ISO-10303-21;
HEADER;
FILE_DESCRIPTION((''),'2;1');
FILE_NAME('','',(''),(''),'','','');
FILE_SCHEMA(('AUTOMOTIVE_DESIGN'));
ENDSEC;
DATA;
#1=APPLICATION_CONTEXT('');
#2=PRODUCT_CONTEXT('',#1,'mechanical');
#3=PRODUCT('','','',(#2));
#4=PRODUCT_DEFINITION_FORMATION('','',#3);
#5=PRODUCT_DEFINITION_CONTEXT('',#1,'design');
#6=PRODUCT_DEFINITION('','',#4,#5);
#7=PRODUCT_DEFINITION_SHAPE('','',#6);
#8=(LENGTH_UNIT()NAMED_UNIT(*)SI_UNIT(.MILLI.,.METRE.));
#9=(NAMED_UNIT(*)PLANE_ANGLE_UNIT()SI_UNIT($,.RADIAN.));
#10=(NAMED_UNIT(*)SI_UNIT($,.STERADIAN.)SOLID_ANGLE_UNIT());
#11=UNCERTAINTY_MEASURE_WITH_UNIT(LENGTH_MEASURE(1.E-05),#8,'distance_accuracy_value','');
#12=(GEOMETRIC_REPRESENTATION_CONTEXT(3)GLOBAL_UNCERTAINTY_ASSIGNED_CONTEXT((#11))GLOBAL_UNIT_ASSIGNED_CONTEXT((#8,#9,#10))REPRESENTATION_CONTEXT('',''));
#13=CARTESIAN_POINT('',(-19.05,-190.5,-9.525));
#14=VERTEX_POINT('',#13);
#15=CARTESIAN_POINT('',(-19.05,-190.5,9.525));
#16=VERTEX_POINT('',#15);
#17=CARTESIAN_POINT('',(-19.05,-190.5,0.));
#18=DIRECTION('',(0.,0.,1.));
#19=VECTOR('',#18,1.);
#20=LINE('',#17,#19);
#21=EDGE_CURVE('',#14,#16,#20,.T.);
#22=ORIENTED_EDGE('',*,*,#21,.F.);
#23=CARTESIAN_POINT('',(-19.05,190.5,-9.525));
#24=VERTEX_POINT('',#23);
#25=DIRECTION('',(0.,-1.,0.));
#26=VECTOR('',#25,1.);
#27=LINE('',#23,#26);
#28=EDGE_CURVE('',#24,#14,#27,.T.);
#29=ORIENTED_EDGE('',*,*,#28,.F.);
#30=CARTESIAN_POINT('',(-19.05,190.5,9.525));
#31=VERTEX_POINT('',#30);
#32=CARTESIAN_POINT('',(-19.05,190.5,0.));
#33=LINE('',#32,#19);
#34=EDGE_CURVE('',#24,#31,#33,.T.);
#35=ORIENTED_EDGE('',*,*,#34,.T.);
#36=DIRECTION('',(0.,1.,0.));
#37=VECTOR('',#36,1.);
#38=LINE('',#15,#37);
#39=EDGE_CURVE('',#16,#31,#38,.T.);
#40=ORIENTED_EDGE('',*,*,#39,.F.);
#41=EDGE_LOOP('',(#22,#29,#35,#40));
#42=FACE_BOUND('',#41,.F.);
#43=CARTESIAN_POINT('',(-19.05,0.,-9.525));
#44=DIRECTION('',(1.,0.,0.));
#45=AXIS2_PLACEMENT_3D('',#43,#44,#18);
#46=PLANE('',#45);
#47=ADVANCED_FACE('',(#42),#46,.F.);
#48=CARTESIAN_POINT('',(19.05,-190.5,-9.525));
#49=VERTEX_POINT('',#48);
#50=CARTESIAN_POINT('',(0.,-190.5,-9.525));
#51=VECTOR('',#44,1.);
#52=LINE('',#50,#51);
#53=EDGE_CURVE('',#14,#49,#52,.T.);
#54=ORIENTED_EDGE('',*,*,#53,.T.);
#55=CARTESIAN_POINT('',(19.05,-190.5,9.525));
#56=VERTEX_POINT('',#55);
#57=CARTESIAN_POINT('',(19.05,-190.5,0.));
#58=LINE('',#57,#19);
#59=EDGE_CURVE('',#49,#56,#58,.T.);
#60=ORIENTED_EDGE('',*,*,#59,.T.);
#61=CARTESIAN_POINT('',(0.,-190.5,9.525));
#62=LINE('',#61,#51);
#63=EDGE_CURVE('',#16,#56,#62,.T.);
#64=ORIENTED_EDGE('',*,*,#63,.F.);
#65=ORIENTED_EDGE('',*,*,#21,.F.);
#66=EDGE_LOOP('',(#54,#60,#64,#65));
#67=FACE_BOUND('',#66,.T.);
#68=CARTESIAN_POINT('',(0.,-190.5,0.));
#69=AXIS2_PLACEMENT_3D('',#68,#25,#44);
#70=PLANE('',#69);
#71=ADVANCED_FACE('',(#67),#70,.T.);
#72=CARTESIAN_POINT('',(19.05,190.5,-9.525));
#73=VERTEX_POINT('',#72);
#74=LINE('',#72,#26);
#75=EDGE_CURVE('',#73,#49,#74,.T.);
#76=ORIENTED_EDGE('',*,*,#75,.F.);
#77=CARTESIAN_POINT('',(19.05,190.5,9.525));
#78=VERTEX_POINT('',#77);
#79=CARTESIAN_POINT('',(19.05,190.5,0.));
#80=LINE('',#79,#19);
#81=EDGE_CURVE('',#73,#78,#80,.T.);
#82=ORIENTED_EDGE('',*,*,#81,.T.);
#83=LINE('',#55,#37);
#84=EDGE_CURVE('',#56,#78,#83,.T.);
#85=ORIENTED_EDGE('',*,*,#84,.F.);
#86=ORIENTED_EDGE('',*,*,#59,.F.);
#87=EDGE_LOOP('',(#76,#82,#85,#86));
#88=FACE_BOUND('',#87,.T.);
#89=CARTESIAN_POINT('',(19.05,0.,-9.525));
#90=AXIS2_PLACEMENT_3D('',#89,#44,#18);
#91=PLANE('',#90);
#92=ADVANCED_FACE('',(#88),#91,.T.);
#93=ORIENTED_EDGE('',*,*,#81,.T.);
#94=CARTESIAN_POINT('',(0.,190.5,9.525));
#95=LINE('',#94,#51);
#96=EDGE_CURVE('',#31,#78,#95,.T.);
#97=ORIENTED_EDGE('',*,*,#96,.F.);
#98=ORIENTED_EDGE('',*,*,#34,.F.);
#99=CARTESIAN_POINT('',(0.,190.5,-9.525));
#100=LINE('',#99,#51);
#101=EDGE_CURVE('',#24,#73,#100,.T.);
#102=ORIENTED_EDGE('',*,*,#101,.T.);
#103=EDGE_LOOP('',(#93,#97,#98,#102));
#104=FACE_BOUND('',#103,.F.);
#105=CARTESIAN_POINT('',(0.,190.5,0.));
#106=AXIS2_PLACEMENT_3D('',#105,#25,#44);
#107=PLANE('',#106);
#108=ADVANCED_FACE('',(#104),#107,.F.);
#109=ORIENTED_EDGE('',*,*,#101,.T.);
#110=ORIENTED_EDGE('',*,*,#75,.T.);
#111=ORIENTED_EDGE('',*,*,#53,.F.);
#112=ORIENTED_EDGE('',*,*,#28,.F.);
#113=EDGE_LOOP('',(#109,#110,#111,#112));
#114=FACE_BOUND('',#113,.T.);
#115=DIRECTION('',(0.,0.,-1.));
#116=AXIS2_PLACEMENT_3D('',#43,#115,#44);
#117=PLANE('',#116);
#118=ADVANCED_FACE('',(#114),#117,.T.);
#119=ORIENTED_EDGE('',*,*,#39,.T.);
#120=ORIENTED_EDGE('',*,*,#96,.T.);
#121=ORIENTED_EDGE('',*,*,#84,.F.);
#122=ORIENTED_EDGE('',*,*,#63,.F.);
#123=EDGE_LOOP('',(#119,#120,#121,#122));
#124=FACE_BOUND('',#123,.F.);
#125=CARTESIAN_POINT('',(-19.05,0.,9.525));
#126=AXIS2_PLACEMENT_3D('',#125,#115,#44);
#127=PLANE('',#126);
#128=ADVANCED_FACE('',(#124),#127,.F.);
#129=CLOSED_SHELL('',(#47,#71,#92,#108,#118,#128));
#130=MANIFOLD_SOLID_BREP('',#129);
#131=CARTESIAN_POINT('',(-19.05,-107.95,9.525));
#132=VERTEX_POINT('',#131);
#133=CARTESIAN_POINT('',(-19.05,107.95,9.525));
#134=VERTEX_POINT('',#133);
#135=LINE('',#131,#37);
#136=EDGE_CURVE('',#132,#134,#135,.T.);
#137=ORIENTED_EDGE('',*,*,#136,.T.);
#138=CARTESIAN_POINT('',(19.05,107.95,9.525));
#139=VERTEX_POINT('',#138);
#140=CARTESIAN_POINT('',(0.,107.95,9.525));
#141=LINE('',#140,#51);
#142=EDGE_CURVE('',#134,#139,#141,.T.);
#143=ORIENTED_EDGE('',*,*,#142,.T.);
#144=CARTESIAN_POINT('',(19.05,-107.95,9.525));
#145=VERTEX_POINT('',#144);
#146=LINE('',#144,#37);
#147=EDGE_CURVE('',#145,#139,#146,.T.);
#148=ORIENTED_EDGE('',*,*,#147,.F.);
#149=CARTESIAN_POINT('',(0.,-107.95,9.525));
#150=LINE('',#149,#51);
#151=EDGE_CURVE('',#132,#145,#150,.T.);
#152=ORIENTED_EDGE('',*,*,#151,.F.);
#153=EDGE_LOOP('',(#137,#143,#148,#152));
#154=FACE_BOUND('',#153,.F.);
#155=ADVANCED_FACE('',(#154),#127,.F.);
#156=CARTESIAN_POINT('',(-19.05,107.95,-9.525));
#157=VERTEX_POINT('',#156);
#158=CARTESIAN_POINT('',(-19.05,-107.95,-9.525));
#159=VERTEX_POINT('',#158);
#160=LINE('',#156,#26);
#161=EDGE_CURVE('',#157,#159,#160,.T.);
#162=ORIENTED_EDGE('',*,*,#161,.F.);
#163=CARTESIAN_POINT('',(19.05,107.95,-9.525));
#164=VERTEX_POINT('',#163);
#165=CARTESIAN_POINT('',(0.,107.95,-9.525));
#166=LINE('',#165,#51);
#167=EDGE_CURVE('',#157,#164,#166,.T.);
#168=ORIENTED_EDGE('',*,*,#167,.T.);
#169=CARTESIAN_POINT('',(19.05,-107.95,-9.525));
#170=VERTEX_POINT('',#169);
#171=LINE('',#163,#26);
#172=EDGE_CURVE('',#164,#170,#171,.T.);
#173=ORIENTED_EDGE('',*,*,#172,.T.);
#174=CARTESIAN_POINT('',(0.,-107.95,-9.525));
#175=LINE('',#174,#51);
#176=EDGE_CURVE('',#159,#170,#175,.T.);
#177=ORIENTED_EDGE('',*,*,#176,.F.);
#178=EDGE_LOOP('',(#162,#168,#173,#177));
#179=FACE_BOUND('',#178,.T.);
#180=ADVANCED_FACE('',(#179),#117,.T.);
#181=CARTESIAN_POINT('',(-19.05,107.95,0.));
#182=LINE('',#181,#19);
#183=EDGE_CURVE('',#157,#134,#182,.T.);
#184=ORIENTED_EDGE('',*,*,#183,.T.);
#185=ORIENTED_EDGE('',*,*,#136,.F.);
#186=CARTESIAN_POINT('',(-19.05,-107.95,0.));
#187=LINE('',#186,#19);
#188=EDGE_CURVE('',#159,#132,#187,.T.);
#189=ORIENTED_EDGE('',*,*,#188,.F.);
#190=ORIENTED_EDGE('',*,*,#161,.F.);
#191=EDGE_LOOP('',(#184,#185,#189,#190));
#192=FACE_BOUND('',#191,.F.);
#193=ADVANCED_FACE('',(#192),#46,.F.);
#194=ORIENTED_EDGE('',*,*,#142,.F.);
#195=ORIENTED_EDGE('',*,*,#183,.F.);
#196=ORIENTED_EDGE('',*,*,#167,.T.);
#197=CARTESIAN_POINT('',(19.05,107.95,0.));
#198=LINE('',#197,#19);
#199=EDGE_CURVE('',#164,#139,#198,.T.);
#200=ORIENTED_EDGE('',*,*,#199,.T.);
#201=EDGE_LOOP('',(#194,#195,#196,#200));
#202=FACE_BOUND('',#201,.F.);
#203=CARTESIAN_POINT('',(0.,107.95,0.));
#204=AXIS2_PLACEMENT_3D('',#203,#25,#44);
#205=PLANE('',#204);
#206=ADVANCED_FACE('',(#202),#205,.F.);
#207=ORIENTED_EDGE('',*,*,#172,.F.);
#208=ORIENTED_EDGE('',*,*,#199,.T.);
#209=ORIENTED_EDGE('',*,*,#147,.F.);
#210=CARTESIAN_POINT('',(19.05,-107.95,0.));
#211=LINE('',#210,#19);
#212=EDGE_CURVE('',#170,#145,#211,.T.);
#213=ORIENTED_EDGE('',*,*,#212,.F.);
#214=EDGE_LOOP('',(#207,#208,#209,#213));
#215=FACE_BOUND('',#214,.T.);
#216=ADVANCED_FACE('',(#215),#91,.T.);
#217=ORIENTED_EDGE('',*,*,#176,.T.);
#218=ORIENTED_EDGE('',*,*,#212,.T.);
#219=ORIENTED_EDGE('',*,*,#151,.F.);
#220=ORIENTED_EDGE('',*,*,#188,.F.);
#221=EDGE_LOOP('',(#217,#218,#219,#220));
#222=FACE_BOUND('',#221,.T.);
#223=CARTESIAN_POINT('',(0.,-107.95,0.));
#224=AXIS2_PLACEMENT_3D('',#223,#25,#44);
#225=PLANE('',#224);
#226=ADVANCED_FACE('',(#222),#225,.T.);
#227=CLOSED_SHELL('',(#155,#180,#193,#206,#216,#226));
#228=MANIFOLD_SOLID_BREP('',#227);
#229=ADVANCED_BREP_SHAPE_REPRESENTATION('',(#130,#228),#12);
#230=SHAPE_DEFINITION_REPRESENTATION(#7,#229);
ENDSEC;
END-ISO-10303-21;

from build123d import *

# Parameters (mm, degrees)
F0_W     = 38.1
F0_H     = 19.05
F1_DEPTH = 107.95
F2_DEPTH = 190.5


with BuildPart() as f1:
    # F0 (on Front) → F1 (new body, symmetric)
    with BuildSketch(Plane.XZ):
        Rectangle(F0_W, F0_H)
    extrude(amount=F1_DEPTH, both=True)


with BuildPart() as f2:
    # F0 (on Front) → F2 (new body, symmetric)
    with BuildSketch(Plane.XZ):
        Rectangle(F0_W, F0_H)
    extrude(amount=F2_DEPTH, both=True)


solid = Compound([f1.part, f2.part])
